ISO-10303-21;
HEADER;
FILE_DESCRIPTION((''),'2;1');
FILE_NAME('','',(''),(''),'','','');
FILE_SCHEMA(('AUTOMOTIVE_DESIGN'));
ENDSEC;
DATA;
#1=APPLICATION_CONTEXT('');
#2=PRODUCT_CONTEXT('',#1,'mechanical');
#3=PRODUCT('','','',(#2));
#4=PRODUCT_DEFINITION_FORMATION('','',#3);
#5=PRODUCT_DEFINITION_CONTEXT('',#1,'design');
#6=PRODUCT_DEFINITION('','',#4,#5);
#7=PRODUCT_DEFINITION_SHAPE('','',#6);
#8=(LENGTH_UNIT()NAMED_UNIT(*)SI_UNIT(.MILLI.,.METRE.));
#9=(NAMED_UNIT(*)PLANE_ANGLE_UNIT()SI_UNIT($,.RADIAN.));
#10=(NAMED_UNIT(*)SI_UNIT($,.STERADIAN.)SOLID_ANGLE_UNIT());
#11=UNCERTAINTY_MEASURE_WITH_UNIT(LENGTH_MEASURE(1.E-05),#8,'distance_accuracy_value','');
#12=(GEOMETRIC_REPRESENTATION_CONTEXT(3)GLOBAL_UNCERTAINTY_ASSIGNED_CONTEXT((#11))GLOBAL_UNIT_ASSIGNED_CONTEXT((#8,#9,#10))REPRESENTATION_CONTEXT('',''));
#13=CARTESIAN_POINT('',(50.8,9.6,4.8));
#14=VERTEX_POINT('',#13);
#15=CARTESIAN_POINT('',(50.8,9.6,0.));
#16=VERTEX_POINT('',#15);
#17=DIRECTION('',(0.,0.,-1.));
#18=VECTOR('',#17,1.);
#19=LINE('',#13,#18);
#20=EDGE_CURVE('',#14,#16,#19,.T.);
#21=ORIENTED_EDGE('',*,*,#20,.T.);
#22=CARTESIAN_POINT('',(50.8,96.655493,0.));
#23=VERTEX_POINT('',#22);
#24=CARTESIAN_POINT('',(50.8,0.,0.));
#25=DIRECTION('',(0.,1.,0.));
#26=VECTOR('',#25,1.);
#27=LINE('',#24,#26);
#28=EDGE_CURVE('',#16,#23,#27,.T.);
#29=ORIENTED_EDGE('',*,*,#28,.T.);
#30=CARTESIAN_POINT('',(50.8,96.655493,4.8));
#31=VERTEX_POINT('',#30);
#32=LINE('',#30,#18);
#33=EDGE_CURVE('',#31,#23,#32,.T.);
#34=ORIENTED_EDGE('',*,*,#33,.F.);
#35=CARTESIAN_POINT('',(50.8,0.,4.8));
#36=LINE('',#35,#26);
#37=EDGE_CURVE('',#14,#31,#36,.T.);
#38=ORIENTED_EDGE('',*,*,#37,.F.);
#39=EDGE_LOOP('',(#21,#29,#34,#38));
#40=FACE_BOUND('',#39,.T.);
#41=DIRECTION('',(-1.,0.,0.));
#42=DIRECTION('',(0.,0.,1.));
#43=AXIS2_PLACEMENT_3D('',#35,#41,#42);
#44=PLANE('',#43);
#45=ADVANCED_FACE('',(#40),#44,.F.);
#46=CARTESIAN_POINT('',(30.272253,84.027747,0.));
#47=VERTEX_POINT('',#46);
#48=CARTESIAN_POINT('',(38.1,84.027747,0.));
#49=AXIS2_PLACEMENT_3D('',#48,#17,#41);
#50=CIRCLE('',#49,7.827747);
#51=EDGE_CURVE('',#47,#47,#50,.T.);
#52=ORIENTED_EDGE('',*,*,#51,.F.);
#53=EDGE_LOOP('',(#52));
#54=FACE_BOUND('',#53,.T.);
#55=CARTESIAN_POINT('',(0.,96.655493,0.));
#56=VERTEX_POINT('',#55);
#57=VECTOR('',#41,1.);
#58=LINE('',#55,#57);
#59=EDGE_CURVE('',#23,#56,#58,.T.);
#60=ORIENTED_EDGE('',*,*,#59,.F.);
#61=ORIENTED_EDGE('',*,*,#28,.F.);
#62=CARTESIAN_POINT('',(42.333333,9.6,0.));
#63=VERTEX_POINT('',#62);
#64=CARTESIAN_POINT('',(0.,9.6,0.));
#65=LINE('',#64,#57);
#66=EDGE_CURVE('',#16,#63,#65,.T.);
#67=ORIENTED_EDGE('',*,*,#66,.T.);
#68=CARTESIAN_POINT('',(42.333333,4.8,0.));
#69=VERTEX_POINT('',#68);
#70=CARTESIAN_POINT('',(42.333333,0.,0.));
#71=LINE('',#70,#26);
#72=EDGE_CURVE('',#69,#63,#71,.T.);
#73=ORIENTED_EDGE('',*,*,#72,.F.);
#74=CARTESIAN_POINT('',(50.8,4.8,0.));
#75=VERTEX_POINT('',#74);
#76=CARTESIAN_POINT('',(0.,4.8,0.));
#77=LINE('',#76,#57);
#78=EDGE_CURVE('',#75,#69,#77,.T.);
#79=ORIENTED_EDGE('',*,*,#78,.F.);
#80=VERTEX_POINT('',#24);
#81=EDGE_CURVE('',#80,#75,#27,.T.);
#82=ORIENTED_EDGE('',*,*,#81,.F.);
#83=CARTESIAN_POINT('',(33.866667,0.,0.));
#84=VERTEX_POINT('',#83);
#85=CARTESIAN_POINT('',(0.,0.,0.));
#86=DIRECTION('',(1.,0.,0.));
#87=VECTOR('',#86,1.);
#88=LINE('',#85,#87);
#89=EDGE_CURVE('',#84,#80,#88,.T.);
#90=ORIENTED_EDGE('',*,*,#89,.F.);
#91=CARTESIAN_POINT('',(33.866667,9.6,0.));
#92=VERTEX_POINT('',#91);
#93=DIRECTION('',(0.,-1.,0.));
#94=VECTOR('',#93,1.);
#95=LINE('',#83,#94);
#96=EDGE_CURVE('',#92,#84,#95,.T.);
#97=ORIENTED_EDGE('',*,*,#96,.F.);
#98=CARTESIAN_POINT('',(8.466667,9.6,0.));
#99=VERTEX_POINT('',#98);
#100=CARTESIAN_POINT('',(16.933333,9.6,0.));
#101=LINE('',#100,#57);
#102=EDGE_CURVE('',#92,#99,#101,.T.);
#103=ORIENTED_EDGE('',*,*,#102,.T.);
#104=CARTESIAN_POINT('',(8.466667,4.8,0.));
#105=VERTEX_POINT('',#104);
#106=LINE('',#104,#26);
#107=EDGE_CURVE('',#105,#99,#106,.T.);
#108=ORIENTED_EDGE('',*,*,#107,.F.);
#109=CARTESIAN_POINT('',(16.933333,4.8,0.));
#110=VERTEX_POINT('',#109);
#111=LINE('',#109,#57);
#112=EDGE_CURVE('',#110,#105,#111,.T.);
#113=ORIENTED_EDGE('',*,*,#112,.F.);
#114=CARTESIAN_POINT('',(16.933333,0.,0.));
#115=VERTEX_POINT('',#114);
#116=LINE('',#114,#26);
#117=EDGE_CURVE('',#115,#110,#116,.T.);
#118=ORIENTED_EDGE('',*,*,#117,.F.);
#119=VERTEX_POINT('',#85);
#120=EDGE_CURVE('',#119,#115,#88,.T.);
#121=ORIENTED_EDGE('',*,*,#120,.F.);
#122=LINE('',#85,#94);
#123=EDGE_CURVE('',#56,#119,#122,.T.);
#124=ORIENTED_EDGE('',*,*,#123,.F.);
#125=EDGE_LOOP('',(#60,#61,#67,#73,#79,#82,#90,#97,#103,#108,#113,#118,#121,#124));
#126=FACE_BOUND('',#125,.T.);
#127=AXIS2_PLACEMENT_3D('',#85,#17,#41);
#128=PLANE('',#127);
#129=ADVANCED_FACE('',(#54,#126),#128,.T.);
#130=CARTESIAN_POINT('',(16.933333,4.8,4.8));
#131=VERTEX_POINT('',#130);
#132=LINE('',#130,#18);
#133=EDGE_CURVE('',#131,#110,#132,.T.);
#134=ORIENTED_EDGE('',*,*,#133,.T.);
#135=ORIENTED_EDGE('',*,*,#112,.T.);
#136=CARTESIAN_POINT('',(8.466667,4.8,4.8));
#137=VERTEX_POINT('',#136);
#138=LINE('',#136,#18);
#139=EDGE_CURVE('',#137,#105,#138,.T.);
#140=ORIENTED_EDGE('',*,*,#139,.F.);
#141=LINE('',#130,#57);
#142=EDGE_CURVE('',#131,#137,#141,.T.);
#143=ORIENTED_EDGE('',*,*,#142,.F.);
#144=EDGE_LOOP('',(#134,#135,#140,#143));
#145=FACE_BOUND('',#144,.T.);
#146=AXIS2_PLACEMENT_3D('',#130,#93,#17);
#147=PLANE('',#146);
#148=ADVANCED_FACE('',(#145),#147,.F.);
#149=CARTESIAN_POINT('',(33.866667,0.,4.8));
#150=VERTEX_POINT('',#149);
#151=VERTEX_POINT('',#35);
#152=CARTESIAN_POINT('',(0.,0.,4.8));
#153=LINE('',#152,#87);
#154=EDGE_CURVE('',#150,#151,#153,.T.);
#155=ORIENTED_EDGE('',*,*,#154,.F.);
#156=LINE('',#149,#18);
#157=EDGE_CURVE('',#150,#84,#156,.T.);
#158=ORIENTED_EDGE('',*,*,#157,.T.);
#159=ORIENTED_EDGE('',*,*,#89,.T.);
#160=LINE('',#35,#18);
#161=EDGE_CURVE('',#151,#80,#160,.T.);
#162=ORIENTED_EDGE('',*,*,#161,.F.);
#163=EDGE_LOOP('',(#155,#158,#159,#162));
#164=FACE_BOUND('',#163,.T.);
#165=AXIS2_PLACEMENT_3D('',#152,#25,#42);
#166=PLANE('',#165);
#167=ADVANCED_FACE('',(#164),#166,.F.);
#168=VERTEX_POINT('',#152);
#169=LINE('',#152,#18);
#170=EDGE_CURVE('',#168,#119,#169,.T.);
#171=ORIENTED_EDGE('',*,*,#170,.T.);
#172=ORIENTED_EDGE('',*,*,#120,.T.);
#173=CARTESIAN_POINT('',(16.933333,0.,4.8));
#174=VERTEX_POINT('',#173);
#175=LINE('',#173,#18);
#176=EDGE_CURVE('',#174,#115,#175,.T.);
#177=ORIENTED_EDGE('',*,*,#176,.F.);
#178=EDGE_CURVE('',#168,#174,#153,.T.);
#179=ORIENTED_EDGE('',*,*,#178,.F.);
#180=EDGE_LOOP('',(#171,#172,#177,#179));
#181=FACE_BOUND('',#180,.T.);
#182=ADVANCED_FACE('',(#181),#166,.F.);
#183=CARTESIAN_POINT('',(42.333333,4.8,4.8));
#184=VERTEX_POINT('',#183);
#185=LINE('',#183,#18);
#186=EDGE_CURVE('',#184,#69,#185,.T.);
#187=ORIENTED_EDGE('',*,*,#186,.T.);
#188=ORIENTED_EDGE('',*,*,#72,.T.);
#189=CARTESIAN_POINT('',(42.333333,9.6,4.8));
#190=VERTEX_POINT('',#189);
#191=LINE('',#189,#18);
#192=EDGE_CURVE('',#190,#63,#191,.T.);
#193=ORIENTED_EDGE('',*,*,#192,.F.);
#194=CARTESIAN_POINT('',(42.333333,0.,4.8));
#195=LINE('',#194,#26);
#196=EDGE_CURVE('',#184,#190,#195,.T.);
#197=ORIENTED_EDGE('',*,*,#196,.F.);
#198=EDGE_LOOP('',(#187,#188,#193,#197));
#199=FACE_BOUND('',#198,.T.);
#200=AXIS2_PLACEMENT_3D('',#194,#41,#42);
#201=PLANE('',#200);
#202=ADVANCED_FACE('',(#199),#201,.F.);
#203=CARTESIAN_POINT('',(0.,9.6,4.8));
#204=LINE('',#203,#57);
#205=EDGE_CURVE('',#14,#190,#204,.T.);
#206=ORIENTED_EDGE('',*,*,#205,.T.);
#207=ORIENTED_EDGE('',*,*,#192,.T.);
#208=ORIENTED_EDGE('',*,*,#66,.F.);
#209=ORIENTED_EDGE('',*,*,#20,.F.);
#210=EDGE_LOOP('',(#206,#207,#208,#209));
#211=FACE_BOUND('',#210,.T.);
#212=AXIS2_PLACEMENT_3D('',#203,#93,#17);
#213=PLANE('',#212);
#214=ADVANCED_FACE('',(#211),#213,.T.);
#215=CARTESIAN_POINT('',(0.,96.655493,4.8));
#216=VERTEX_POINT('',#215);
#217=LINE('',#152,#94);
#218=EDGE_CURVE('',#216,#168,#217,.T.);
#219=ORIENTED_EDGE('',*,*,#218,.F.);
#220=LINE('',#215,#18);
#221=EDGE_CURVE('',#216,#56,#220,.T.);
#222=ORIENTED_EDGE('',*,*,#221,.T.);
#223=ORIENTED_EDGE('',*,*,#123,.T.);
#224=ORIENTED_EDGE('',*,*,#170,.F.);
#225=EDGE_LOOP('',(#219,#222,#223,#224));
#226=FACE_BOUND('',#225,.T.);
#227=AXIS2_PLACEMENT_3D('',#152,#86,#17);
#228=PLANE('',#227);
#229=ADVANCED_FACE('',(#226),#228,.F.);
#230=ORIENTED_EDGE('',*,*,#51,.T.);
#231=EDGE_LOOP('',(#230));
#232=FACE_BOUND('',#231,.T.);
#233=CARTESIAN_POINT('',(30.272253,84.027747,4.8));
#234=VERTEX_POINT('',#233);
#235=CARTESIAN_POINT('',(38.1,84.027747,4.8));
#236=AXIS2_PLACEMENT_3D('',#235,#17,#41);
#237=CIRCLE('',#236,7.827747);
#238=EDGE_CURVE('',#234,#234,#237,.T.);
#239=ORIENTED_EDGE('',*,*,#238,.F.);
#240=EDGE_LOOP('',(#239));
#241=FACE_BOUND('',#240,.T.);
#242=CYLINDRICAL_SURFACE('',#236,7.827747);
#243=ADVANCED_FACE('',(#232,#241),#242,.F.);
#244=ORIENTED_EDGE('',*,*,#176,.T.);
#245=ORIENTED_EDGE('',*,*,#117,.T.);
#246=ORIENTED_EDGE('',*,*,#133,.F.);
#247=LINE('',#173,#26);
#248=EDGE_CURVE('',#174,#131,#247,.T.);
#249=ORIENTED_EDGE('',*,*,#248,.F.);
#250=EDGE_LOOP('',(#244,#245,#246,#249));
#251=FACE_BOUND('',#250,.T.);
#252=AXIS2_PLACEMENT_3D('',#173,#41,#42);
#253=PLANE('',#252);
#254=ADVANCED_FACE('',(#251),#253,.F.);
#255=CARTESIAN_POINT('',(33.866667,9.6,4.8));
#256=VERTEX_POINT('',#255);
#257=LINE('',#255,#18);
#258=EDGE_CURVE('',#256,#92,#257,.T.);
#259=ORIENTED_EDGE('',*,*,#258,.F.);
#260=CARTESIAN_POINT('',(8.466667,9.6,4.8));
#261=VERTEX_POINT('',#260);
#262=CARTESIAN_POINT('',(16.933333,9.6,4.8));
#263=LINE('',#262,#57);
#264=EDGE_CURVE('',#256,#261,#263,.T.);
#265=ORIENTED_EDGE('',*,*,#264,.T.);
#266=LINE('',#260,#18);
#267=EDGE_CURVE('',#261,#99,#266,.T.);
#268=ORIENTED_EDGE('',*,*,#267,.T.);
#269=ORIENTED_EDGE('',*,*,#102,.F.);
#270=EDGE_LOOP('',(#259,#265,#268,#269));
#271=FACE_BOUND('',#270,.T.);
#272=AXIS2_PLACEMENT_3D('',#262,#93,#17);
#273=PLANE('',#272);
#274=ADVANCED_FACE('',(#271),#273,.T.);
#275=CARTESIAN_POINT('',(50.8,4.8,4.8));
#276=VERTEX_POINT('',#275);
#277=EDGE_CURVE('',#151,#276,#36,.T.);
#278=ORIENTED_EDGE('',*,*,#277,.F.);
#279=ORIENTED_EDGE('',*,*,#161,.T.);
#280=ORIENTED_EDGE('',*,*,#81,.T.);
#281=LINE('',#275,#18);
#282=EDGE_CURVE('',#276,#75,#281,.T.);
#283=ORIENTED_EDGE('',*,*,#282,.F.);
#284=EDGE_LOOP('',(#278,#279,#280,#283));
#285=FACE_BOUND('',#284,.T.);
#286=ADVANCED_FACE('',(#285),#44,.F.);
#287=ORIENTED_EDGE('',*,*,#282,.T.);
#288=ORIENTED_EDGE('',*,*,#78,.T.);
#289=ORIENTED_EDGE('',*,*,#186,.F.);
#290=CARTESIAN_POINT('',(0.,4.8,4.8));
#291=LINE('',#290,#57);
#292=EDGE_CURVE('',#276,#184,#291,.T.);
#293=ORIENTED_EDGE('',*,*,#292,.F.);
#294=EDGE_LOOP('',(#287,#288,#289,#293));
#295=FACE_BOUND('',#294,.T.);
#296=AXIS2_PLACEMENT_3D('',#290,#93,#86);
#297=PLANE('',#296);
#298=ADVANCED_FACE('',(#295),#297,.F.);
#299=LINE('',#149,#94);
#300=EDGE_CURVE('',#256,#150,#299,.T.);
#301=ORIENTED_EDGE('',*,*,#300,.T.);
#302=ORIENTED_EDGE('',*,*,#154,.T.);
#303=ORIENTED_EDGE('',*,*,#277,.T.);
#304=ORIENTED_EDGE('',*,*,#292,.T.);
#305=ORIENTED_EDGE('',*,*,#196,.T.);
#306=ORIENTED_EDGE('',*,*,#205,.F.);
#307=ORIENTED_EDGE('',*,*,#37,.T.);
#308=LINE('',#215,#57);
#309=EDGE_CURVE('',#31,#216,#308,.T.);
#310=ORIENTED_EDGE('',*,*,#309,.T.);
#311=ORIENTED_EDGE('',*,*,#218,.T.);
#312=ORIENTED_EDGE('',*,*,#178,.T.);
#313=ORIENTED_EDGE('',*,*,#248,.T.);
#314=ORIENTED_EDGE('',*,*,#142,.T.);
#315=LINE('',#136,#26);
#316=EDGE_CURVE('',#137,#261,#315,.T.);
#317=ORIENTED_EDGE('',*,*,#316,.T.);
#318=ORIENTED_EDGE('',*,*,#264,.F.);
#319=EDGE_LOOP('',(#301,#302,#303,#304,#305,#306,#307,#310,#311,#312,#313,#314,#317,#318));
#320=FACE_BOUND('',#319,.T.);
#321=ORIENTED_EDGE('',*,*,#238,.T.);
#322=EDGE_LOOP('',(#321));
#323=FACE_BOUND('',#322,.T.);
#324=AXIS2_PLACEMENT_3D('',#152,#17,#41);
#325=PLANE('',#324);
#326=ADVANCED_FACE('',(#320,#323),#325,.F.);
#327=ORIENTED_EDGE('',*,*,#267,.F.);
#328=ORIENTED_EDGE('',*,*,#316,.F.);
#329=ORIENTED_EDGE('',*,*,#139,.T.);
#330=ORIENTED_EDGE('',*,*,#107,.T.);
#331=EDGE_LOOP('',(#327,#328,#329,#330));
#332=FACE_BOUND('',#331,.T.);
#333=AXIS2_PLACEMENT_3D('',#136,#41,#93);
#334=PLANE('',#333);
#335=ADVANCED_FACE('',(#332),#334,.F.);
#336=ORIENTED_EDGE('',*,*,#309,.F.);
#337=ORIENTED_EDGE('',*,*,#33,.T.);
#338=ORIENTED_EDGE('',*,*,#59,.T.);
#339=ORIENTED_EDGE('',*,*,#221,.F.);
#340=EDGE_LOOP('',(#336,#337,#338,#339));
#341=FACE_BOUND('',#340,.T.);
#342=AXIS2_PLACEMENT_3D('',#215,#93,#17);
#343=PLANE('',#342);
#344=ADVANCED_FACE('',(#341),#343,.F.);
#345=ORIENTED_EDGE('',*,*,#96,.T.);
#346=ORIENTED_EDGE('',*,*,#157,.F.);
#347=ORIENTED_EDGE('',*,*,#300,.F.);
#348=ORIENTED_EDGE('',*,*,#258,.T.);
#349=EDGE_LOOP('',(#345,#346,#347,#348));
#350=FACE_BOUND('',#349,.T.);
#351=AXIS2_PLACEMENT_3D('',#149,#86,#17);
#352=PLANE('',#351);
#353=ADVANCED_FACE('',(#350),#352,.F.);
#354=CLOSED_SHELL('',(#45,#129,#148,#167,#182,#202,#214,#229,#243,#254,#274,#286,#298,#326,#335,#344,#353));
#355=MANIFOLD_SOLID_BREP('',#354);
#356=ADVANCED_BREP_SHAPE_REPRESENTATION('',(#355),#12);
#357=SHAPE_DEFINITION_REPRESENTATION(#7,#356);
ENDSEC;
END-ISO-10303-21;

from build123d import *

# Parameters (mm, degrees)
SKETCH1_W           = 50.8
SKETCH1_H           = 96.655493252
BOSS_EXTRUDE1_DEPTH = 4.800000052
SKETCH3_R           = 7.8277466
CUT_EXTRUDE2_DEPTH  = 110.297595473
SKETCH4_W           = 8.466666667
SKETCH4_H           = 4.800000052
SKETCH4_W_2         = 8.466666666
CUT_EXTRUDE4_DEPTH  = 110.297595473
SKETCH5_W           = 16.933333334
SKETCH5_H           = 9.600000104
CUT_EXTRUDE5_DEPTH  = 110.297595473


with BuildPart() as part:
    # Sketch1 → Boss-Extrude1 (new body)
    with BuildSketch(Plane.XY):
        with Locations((25.4, 48.327746626)):
            Rectangle(SKETCH1_W, SKETCH1_H)
    extrude(amount=BOSS_EXTRUDE1_DEPTH)

    # Sketch3 → Cut-Extrude2 (cut, through all)
    with BuildSketch(Plane(origin=(0, 0, 0), x_dir=(-1, 0, 0), z_dir=(0, 0, -1))):
        with Locations((-38.1, 84.0277466)):
            Circle(SKETCH3_R)
    extrude(amount=-CUT_EXTRUDE2_DEPTH, mode=Mode.SUBTRACT)

    # Sketch4 → Cut-Extrude4 (cut, through all)
    with BuildSketch(Plane(origin=(0, 0, 0), x_dir=(-1, 0, 0), z_dir=(0, 0, -1))):
        with Locations((-46.566666667, 7.200000078)):
            Rectangle(SKETCH4_W, SKETCH4_H)
        with Locations((-12.7, 7.200000078)):
            Rectangle(SKETCH4_W_2, SKETCH4_H)
    extrude(amount=-CUT_EXTRUDE4_DEPTH, mode=Mode.SUBTRACT)

    # Sketch5 → Cut-Extrude5 (cut, through all)
    with BuildSketch(Plane(origin=(0, 0, 0), x_dir=(-1, 0, 0), z_dir=(0, 0, -1))):
        with Locations((-25.4, 4.800000052)):
            Rectangle(SKETCH5_W, SKETCH5_H)
    extrude(amount=-CUT_EXTRUDE5_DEPTH, mode=Mode.SUBTRACT)


solid = part.part
